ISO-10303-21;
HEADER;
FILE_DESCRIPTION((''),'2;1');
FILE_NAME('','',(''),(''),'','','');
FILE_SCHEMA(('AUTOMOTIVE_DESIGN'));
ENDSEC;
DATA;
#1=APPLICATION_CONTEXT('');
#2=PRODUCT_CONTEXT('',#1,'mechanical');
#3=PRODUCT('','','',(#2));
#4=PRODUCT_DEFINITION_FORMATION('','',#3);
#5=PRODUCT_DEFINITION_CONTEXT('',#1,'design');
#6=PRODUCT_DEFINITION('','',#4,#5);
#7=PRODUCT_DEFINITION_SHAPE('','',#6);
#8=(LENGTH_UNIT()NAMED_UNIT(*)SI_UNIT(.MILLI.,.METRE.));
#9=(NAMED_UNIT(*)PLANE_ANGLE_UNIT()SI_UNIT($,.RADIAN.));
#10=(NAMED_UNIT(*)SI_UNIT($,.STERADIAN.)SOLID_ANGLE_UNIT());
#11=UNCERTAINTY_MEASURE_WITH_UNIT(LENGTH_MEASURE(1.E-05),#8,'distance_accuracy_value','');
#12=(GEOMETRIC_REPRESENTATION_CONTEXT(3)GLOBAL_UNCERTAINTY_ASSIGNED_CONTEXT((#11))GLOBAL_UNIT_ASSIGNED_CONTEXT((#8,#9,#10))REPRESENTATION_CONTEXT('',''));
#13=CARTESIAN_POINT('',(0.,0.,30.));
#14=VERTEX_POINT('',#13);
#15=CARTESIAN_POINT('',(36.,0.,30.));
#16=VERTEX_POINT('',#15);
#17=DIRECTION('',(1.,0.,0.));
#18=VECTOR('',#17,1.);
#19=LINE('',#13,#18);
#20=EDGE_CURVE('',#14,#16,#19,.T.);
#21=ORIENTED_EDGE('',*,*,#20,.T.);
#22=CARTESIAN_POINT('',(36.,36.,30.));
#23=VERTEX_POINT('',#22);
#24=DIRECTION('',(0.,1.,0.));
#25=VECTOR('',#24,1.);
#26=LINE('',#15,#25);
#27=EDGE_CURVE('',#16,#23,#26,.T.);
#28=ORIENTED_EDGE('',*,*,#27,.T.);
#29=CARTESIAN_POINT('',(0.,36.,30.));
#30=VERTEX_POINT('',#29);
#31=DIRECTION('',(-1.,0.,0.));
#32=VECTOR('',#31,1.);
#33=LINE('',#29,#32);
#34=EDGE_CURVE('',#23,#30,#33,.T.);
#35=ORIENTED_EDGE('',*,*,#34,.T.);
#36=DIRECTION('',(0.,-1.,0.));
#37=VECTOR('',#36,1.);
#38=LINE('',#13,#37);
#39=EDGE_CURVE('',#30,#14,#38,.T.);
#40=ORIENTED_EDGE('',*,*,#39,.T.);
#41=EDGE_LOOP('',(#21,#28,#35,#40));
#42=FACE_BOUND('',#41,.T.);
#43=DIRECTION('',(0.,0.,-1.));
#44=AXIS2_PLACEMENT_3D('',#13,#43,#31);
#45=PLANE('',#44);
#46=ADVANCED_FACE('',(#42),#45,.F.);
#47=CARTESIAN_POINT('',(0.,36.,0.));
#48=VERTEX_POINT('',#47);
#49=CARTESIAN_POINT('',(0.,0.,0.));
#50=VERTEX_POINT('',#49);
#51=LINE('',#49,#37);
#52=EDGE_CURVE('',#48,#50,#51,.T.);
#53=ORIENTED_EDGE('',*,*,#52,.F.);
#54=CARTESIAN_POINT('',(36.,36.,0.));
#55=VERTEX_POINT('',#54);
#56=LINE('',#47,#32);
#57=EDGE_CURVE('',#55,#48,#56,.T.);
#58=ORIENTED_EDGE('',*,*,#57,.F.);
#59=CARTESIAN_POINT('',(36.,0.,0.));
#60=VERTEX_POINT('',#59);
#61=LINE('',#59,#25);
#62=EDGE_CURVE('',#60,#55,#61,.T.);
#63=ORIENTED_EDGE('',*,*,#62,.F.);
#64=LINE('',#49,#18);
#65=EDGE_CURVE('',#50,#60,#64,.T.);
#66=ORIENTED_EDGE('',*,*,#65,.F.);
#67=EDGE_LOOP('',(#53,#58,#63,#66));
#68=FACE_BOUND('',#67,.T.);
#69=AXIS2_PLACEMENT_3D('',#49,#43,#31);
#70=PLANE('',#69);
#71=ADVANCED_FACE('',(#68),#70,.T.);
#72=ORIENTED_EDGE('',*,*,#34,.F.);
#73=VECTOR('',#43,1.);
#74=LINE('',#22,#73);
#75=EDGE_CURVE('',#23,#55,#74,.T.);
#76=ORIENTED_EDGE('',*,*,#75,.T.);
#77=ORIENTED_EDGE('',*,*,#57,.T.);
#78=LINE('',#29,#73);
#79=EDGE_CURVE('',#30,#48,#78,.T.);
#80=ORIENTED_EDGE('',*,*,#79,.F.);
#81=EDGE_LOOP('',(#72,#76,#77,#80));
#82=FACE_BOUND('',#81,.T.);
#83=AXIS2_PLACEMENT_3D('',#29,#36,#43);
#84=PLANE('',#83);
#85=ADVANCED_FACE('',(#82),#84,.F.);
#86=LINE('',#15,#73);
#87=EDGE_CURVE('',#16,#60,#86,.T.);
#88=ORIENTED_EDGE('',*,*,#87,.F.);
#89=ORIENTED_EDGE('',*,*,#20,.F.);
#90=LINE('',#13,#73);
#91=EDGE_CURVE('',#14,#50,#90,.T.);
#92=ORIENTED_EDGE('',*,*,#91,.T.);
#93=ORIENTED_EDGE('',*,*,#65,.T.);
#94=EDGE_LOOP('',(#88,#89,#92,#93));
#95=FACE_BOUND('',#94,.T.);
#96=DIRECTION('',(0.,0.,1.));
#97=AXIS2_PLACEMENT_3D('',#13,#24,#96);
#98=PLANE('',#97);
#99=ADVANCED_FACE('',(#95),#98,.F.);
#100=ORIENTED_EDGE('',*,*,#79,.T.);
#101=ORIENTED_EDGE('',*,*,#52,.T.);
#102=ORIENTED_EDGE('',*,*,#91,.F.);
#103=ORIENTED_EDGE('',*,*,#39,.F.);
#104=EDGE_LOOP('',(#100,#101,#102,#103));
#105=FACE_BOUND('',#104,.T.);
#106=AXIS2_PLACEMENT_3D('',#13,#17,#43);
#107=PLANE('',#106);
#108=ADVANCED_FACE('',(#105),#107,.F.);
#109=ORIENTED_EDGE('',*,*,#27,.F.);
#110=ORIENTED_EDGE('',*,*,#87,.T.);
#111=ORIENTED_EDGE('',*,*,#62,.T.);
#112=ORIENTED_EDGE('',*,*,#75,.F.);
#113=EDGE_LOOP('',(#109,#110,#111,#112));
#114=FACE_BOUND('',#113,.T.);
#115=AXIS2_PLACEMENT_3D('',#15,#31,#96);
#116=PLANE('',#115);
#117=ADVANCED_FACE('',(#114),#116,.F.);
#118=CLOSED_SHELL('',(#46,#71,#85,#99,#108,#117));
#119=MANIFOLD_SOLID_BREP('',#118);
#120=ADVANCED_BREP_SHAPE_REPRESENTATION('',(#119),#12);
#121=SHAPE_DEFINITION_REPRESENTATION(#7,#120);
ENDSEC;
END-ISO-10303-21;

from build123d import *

# Parameters (mm, degrees)
BODY_SKETCH_W = 36
BODY_SKETCH_H = 36
BODY_DEPTH    = 30


with BuildPart() as part:
    # Body sketch → Body (new body)
    with BuildSketch(Plane.XY):
        with Locations((18, 18)):
            Rectangle(BODY_SKETCH_W, BODY_SKETCH_H)
    extrude(amount=BODY_DEPTH)


solid = part.part
